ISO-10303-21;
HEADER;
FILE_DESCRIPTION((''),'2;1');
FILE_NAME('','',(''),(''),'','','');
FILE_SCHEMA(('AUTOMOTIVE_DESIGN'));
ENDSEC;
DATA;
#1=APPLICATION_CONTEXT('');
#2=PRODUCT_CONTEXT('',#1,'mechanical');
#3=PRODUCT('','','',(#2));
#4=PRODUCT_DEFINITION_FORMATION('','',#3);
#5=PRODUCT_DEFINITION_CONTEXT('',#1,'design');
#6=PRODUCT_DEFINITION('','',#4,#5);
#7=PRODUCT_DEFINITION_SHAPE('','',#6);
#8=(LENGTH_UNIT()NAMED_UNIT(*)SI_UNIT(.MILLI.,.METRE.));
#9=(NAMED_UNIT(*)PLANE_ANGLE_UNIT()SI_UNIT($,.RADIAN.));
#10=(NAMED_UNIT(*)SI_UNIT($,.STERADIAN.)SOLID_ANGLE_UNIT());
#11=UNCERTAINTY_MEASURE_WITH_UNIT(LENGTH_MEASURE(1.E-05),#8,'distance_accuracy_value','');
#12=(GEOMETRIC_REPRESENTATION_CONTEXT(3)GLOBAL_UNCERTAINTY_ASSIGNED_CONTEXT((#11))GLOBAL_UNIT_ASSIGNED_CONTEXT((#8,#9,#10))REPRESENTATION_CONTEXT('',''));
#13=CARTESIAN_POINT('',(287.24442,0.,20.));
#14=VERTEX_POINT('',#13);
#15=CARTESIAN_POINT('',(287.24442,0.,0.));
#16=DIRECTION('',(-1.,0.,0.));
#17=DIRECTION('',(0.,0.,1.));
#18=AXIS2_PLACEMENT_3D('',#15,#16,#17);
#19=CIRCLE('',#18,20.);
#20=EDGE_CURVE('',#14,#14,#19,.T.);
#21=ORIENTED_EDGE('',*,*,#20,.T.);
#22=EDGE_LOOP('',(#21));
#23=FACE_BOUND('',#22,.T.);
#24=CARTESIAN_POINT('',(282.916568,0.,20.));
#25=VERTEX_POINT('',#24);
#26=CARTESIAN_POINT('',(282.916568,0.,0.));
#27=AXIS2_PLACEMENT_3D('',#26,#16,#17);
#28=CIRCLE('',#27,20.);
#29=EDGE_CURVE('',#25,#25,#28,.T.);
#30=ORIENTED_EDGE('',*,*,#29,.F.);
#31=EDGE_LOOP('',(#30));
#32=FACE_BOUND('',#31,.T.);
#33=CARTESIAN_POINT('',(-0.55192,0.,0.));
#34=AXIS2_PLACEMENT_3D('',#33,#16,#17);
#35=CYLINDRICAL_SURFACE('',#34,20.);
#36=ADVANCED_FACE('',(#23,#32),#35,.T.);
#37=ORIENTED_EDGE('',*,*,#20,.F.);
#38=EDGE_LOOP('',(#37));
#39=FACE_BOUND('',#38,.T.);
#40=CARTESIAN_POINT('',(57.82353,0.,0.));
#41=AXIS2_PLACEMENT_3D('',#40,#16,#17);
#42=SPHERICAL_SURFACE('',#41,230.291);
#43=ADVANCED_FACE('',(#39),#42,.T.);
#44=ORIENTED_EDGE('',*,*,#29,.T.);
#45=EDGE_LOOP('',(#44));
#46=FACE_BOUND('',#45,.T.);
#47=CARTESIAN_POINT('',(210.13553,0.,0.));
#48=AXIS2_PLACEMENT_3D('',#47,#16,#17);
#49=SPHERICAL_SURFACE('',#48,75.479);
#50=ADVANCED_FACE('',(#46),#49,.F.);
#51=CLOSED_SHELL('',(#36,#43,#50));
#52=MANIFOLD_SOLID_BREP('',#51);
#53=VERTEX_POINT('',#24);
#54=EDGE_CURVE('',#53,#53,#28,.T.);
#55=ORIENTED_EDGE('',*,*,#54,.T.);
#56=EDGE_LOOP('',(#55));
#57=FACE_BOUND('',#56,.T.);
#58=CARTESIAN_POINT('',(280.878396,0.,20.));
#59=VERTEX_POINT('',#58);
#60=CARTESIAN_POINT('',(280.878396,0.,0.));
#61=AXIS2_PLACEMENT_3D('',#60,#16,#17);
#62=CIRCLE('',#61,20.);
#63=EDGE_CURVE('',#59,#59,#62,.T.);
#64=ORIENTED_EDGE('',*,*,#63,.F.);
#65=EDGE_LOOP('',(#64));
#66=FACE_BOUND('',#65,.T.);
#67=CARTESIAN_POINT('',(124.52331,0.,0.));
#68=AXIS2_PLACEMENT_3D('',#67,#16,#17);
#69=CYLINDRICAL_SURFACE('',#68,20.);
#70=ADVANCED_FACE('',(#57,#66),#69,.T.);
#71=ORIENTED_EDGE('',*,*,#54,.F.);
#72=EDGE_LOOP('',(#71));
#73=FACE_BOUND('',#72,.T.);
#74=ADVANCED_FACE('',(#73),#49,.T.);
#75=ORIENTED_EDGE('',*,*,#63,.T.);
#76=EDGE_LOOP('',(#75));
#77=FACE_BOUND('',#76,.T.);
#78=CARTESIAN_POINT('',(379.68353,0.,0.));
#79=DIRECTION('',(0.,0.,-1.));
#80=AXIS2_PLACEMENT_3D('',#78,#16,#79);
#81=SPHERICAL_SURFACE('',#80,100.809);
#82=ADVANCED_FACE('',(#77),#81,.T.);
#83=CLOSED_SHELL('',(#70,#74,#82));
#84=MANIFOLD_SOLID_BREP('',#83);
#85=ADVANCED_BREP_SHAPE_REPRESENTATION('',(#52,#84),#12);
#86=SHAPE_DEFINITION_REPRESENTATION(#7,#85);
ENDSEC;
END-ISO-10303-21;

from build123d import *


with BuildPart() as part:
    # 草图1 one side → 旋转1 (revolve)
    with BuildSketch(Plane(origin=(0, 0, 0), x_dir=(1, 0, 0), z_dir=(0, 1, 0)), mode=Mode.PRIVATE) as revolve_1_sk:
        with BuildLine():
            ThreePointArc((280.878396474, 20), (279.376747876, 10.050068152), (278.874530354, 0))
            Line((278.874530354, 0), (285.614530354, 0))
            ThreePointArc((285.614530354, 0), (284.936998861, 10.090577298), (282.916568001, 20))
            Line((282.916568001, 20), (280.878396474, 20))
        make_face()
    revolve(revolve_1_sk.sketch.rotate(Axis((124.523309526, 0, 0), (1, 0, 0)), 180), axis=Axis((124.523309526, 0, 0), (1, 0, 0)))  # turned: the seam where the file's is


with BuildPart() as body_2:
    # 草图2 one side → 旋转3 (revolve)
    with BuildSketch(Plane(origin=(0, 0, 0), x_dir=(1, 0, 0), z_dir=(0, 1, 0)), mode=Mode.PRIVATE) as revolve_3_sk:
        with BuildLine():
            Line((287.244420164, 20), (282.916568001, 20))
            ThreePointArc((282.916568001, 20), (284.936998861, 10.090577298), (285.614530354, 0))
            Line((285.614530354, 0), (288.114530354, 0))
            ThreePointArc((288.114530354, 0), (287.896899973, 10.009459173), (287.244420164, 20))
        make_face()
    revolve(revolve_3_sk.sketch.rotate(Axis((-0.551919993, 0, 0), (1, 0, 0)), 180), axis=Axis((-0.551919993, 0, 0), (1, 0, 0)))  # turned: the seam where the file's is


solid = Compound([part.part, body_2.part])
